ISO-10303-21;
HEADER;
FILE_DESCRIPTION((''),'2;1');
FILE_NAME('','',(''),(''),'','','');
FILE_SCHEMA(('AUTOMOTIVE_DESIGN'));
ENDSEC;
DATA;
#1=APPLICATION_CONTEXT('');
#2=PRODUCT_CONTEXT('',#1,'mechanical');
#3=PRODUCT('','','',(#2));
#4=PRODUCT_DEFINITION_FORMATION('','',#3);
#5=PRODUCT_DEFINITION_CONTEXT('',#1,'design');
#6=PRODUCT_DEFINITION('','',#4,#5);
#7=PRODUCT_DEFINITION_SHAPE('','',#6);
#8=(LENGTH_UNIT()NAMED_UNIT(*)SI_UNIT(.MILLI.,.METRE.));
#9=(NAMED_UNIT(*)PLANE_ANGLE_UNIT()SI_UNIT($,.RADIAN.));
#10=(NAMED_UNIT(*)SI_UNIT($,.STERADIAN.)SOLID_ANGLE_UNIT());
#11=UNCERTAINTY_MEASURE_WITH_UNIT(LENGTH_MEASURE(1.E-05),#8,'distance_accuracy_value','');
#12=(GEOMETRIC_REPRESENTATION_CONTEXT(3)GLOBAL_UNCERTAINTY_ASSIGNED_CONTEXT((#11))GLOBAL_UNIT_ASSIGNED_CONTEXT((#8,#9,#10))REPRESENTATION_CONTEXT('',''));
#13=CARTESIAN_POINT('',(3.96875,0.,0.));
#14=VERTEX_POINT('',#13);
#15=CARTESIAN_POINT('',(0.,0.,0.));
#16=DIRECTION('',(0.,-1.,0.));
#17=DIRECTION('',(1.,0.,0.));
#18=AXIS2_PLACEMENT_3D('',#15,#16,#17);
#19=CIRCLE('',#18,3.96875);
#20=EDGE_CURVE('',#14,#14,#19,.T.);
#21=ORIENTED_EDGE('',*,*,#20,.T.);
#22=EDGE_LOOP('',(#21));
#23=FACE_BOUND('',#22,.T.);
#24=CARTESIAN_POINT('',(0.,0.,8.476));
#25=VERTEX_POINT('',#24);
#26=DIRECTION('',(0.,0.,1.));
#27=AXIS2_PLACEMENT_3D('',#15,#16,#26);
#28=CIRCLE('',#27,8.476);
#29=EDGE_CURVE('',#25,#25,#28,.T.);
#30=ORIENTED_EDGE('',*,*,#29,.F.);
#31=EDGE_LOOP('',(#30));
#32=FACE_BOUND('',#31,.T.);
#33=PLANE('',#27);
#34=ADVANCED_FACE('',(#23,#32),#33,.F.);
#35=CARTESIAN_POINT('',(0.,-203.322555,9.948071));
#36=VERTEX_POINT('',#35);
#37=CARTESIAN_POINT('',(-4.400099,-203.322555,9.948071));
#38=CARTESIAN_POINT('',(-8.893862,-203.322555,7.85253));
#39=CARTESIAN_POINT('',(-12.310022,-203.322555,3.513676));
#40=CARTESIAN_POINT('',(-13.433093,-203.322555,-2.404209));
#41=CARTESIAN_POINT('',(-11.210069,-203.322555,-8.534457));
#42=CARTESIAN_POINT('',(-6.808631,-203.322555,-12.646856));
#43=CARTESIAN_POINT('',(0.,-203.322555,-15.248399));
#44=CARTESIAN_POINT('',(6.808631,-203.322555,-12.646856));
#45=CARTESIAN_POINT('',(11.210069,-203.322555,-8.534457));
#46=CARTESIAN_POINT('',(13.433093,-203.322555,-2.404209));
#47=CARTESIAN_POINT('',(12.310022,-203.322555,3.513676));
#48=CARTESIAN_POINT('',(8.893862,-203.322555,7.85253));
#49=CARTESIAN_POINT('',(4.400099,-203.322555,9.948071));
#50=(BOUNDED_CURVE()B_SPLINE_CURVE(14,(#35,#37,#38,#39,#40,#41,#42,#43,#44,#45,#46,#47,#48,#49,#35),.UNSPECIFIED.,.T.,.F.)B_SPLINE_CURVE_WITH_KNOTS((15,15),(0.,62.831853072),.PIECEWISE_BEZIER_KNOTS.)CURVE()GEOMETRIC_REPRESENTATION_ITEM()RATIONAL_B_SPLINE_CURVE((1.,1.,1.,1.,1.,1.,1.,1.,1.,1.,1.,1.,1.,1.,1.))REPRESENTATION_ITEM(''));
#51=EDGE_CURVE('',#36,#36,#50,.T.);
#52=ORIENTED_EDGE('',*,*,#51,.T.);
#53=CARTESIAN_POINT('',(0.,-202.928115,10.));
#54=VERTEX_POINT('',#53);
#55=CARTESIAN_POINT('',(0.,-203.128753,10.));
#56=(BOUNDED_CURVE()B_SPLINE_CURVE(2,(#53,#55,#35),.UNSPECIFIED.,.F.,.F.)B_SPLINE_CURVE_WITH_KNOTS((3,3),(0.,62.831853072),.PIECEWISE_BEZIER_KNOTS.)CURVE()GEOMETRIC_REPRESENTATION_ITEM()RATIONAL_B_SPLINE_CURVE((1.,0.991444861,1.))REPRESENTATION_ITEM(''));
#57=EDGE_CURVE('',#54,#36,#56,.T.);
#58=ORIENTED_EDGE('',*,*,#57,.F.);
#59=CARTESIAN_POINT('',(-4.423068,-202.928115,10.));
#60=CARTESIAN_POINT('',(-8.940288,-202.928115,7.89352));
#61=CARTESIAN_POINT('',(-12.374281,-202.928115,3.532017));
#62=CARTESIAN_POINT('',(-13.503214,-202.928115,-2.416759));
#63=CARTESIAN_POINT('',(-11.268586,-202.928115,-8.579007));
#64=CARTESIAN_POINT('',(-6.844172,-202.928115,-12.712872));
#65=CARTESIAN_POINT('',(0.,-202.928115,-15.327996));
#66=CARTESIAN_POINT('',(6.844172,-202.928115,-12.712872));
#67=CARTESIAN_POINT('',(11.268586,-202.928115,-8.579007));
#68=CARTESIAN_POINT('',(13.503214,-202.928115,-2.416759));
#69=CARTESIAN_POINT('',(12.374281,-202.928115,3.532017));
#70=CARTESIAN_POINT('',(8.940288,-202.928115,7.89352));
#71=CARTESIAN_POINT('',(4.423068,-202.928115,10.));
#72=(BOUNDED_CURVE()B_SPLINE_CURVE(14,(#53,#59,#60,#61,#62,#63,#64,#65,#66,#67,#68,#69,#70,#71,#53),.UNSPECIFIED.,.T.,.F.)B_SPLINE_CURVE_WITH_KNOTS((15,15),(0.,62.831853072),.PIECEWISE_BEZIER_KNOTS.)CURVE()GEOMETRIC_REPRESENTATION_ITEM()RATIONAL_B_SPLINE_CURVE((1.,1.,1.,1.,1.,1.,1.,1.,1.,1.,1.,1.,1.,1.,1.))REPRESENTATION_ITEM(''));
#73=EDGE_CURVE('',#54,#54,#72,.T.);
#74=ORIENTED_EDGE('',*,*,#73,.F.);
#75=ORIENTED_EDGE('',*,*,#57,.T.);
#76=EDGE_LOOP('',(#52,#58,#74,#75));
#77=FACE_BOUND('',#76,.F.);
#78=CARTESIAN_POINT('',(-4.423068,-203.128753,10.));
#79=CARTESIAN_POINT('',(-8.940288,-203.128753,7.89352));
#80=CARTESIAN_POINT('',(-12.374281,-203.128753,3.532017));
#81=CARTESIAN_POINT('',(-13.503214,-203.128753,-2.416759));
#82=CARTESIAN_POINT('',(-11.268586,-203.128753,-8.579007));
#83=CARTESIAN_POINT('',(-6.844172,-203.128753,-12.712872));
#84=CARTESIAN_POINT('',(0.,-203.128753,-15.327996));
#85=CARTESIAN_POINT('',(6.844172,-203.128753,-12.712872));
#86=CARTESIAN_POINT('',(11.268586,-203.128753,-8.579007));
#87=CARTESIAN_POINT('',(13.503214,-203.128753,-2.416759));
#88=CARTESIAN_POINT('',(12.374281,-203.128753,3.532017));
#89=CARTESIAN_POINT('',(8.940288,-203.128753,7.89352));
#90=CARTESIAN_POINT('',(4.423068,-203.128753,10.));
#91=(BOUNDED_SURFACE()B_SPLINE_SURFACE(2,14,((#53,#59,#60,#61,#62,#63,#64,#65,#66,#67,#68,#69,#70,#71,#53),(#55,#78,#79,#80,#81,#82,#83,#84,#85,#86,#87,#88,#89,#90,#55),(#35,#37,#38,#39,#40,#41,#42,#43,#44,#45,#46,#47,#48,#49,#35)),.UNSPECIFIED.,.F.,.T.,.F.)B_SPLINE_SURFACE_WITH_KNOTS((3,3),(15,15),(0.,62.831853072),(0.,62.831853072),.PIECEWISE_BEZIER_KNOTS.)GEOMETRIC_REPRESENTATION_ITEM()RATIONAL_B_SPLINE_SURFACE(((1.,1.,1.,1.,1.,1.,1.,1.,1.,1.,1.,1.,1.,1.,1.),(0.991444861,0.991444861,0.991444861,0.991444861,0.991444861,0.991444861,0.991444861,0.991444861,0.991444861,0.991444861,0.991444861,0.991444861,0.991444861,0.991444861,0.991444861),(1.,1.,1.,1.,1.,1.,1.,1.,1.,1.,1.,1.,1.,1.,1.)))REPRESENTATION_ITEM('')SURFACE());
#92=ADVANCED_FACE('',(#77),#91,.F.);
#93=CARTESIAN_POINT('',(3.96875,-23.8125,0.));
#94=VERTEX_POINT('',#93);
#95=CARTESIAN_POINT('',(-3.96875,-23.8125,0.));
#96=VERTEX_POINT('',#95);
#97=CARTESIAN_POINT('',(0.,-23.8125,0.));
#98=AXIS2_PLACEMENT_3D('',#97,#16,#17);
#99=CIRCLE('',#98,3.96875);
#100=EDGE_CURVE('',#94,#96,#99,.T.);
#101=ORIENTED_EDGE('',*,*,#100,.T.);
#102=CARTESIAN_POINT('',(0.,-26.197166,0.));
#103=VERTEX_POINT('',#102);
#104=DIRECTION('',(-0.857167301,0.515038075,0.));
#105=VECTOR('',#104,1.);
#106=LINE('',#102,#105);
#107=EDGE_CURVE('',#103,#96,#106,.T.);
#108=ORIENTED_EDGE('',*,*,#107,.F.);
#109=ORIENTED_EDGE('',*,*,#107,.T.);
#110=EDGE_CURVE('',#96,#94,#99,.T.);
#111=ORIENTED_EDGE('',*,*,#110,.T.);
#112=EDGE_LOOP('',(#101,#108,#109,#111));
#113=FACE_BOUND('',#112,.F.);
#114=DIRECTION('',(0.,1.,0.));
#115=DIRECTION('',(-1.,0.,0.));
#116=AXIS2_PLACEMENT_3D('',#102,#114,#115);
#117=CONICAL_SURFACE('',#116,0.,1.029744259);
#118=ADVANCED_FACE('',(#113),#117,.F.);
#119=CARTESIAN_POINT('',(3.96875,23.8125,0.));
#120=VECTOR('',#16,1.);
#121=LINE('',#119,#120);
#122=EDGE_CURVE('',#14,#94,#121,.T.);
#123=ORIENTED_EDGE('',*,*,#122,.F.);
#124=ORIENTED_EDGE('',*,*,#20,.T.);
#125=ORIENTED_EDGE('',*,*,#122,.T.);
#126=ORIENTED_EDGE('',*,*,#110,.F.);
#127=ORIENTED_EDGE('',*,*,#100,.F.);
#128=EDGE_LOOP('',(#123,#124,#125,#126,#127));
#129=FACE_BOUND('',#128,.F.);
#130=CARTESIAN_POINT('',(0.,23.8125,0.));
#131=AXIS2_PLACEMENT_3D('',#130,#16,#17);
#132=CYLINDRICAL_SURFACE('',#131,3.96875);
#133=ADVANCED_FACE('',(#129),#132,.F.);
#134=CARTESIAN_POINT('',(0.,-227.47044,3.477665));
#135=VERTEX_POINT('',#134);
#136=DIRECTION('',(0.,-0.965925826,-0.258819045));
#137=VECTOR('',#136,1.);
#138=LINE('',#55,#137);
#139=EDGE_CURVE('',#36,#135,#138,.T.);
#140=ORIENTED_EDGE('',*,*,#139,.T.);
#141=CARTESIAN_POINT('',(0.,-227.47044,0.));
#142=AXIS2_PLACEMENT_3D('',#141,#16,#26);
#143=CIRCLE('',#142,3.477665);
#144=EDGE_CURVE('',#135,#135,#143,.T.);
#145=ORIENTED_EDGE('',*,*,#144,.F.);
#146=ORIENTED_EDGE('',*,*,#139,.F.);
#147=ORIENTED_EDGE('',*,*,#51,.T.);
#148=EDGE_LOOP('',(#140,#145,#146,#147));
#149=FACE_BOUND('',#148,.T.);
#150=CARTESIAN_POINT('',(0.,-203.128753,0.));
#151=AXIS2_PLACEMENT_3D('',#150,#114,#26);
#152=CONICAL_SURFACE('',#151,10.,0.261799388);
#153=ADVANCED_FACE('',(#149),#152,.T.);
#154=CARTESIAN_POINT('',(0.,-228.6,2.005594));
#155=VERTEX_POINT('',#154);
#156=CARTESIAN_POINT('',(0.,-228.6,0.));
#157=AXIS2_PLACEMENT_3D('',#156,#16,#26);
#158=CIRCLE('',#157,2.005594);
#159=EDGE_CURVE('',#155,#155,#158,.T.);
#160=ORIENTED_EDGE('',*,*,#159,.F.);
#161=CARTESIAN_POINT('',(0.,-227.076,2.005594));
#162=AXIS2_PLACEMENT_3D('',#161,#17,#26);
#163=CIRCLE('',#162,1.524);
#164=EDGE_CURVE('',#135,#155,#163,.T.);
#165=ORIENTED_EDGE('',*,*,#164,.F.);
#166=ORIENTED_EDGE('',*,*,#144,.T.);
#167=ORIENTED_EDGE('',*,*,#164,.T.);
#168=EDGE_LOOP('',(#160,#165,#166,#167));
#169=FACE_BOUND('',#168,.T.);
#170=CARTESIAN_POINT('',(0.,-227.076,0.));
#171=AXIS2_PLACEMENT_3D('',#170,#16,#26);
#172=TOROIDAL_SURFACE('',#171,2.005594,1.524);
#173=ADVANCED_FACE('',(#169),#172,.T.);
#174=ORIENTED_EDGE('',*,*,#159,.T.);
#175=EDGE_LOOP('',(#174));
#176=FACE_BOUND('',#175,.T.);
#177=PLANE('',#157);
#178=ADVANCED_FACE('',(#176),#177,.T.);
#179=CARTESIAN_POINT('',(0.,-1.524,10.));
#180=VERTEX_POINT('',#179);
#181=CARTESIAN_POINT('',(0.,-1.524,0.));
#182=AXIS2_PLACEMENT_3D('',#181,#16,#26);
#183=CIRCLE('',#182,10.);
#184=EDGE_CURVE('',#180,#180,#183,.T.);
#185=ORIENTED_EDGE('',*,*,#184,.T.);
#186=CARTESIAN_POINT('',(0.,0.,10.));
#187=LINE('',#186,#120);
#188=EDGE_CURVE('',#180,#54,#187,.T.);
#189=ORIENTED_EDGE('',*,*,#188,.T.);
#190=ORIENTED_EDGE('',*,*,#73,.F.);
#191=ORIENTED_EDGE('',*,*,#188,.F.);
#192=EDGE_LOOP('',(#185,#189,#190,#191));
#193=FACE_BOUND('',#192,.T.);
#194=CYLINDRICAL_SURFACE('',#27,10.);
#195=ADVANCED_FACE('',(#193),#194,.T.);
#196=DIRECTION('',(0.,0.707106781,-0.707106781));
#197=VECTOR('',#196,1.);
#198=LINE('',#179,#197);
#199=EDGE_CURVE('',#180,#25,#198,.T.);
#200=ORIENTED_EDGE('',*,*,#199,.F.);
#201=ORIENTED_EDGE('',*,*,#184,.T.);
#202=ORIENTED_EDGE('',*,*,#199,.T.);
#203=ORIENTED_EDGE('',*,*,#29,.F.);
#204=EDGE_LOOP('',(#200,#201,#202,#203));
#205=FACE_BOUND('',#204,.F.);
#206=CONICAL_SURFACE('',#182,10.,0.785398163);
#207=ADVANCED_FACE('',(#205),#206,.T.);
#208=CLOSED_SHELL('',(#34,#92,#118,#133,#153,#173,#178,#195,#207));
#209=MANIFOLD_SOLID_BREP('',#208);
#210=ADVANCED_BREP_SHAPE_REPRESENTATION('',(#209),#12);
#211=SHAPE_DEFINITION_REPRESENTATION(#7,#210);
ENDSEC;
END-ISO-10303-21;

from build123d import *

# Parameters (mm, degrees)
F2_R     = 1.524
F4_D     = 7.9375
F4_DEPTH = 23.8125
F4_TIP   = 2.3846655818
F5_SIZE  = 1.524


with BuildPart() as f1:
    # F0 (on Right) → F1 (revolve)
    with BuildSketch(Plane.YZ):
        Polygon((-228.6, 0), (0, 0), (0, 10), (-203.1287532383, 10), (-228.6, 3.175), align=None)
    revolve(axis=Axis((0, -114.3, 0), (0, -1, 0)))

    # F2
    f2_edges = [f1.edges().sort_by_distance(p)[0] for p in [
        (0, -203.128753, -10),
        (0, -228.6, -3.175),
    ]]
    fillet(f2_edges, radius=F2_R)

    # F4
    with Locations(Plane(origin=(0, 0, 0), x_dir=(-1, 0, 0), z_dir=(0, 1, 0))):
        with Locations((0, 0)):
            Hole(F4_D / 2, depth=F4_DEPTH)
            with Locations((0, 0, -(F4_DEPTH + F4_TIP / 2))):  # 118° drill point
                Cone(0, F4_D / 2, F4_TIP, mode=Mode.SUBTRACT)

    # F5
    f5_edges = [f1.edges().sort_by_distance(p)[0] for p in [
        (0, 0, -10),
    ]]
    chamfer(f5_edges, length=F5_SIZE)


solid = f1.part
